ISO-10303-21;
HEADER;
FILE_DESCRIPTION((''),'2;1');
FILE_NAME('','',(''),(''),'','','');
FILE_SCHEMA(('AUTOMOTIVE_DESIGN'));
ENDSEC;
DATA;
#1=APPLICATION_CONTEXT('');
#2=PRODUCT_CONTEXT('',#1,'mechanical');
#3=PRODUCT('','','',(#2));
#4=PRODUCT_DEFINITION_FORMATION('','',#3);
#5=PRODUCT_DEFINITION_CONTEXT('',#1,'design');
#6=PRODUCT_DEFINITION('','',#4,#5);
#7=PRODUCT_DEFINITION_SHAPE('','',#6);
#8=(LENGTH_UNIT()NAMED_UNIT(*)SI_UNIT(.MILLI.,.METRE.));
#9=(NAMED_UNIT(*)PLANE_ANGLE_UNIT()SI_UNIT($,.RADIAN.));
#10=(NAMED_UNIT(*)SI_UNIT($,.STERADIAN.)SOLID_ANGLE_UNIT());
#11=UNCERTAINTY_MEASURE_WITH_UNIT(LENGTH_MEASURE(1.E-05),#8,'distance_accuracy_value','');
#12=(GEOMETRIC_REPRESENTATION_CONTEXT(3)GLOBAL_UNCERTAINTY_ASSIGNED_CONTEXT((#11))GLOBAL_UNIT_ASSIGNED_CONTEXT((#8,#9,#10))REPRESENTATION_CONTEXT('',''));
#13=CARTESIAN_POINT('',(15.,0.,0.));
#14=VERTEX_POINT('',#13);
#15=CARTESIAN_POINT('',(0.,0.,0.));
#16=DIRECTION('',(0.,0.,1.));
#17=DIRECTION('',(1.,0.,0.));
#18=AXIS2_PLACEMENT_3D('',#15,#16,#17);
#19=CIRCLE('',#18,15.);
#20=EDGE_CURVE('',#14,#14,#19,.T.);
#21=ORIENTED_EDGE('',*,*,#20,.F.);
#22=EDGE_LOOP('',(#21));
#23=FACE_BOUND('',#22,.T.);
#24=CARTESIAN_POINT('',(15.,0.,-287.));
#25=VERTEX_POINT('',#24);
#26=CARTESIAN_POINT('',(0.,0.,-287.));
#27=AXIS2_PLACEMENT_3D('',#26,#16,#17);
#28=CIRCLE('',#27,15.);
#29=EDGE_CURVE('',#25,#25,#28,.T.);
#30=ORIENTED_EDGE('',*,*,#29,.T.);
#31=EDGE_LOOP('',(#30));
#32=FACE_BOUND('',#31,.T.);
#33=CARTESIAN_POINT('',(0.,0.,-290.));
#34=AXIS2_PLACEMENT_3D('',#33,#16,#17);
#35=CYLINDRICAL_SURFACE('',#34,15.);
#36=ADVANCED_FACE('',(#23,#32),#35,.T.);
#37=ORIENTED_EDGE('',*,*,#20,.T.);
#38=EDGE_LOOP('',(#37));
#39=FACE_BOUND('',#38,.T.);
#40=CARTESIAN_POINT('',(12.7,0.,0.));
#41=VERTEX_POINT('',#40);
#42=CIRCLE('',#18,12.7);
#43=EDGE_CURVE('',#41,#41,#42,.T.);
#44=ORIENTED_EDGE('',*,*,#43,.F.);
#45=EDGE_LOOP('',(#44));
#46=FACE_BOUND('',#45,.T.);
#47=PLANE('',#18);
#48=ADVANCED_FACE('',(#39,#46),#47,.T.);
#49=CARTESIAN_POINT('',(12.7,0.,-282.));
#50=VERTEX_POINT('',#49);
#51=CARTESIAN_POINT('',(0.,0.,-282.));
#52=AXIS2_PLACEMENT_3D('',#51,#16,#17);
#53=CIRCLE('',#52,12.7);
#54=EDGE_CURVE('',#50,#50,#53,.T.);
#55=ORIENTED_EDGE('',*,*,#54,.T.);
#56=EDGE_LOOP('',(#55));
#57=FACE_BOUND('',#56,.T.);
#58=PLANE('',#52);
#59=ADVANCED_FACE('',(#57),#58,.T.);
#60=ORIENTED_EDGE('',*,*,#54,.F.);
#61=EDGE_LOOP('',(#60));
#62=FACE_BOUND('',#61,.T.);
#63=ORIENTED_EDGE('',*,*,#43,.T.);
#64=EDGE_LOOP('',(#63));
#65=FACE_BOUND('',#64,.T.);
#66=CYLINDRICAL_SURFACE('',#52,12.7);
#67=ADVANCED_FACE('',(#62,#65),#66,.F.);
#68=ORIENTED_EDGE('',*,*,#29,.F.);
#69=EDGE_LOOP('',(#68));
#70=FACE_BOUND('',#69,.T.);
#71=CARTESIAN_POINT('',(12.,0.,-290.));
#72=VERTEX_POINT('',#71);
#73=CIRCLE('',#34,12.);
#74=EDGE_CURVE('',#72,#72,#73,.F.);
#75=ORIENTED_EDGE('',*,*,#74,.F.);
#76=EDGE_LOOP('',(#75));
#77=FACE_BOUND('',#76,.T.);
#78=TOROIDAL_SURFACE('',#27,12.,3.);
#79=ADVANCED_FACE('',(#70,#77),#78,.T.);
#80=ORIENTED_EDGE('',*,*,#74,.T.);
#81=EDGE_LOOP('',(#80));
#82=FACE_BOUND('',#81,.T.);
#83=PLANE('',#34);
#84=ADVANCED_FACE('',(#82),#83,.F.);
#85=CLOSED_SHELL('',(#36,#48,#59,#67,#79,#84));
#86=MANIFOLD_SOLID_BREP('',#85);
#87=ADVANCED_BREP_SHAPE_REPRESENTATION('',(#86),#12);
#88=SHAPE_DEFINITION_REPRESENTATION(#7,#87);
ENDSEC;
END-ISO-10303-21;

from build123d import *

# Parameters (mm, degrees)
CROQUIS2_R              = 15
SALIENTE_EXTRUIR1_DEPTH = 290
CROQUIS3_R              = 12.7
CORTAR_EXTRUIR1_DEPTH   = 282
REDONDEO1_R             = 3


with BuildPart() as part:
    # Croquis2 → Saliente-Extruir1 (new body)
    with BuildSketch(Plane.XY):
        Circle(CROQUIS2_R)
    extrude(amount=-SALIENTE_EXTRUIR1_DEPTH)

    # Croquis3 → Cortar-Extruir1 (cut)
    with BuildSketch(Plane.XY):
        Circle(CROQUIS3_R)
    extrude(amount=-CORTAR_EXTRUIR1_DEPTH, mode=Mode.SUBTRACT)

    # Redondeo1
    redondeo1_edges = [part.edges().sort_by_distance(p)[0] for p in [
        (-15, 0, -290),
    ]]
    fillet(redondeo1_edges, radius=REDONDEO1_R)


solid = part.part
